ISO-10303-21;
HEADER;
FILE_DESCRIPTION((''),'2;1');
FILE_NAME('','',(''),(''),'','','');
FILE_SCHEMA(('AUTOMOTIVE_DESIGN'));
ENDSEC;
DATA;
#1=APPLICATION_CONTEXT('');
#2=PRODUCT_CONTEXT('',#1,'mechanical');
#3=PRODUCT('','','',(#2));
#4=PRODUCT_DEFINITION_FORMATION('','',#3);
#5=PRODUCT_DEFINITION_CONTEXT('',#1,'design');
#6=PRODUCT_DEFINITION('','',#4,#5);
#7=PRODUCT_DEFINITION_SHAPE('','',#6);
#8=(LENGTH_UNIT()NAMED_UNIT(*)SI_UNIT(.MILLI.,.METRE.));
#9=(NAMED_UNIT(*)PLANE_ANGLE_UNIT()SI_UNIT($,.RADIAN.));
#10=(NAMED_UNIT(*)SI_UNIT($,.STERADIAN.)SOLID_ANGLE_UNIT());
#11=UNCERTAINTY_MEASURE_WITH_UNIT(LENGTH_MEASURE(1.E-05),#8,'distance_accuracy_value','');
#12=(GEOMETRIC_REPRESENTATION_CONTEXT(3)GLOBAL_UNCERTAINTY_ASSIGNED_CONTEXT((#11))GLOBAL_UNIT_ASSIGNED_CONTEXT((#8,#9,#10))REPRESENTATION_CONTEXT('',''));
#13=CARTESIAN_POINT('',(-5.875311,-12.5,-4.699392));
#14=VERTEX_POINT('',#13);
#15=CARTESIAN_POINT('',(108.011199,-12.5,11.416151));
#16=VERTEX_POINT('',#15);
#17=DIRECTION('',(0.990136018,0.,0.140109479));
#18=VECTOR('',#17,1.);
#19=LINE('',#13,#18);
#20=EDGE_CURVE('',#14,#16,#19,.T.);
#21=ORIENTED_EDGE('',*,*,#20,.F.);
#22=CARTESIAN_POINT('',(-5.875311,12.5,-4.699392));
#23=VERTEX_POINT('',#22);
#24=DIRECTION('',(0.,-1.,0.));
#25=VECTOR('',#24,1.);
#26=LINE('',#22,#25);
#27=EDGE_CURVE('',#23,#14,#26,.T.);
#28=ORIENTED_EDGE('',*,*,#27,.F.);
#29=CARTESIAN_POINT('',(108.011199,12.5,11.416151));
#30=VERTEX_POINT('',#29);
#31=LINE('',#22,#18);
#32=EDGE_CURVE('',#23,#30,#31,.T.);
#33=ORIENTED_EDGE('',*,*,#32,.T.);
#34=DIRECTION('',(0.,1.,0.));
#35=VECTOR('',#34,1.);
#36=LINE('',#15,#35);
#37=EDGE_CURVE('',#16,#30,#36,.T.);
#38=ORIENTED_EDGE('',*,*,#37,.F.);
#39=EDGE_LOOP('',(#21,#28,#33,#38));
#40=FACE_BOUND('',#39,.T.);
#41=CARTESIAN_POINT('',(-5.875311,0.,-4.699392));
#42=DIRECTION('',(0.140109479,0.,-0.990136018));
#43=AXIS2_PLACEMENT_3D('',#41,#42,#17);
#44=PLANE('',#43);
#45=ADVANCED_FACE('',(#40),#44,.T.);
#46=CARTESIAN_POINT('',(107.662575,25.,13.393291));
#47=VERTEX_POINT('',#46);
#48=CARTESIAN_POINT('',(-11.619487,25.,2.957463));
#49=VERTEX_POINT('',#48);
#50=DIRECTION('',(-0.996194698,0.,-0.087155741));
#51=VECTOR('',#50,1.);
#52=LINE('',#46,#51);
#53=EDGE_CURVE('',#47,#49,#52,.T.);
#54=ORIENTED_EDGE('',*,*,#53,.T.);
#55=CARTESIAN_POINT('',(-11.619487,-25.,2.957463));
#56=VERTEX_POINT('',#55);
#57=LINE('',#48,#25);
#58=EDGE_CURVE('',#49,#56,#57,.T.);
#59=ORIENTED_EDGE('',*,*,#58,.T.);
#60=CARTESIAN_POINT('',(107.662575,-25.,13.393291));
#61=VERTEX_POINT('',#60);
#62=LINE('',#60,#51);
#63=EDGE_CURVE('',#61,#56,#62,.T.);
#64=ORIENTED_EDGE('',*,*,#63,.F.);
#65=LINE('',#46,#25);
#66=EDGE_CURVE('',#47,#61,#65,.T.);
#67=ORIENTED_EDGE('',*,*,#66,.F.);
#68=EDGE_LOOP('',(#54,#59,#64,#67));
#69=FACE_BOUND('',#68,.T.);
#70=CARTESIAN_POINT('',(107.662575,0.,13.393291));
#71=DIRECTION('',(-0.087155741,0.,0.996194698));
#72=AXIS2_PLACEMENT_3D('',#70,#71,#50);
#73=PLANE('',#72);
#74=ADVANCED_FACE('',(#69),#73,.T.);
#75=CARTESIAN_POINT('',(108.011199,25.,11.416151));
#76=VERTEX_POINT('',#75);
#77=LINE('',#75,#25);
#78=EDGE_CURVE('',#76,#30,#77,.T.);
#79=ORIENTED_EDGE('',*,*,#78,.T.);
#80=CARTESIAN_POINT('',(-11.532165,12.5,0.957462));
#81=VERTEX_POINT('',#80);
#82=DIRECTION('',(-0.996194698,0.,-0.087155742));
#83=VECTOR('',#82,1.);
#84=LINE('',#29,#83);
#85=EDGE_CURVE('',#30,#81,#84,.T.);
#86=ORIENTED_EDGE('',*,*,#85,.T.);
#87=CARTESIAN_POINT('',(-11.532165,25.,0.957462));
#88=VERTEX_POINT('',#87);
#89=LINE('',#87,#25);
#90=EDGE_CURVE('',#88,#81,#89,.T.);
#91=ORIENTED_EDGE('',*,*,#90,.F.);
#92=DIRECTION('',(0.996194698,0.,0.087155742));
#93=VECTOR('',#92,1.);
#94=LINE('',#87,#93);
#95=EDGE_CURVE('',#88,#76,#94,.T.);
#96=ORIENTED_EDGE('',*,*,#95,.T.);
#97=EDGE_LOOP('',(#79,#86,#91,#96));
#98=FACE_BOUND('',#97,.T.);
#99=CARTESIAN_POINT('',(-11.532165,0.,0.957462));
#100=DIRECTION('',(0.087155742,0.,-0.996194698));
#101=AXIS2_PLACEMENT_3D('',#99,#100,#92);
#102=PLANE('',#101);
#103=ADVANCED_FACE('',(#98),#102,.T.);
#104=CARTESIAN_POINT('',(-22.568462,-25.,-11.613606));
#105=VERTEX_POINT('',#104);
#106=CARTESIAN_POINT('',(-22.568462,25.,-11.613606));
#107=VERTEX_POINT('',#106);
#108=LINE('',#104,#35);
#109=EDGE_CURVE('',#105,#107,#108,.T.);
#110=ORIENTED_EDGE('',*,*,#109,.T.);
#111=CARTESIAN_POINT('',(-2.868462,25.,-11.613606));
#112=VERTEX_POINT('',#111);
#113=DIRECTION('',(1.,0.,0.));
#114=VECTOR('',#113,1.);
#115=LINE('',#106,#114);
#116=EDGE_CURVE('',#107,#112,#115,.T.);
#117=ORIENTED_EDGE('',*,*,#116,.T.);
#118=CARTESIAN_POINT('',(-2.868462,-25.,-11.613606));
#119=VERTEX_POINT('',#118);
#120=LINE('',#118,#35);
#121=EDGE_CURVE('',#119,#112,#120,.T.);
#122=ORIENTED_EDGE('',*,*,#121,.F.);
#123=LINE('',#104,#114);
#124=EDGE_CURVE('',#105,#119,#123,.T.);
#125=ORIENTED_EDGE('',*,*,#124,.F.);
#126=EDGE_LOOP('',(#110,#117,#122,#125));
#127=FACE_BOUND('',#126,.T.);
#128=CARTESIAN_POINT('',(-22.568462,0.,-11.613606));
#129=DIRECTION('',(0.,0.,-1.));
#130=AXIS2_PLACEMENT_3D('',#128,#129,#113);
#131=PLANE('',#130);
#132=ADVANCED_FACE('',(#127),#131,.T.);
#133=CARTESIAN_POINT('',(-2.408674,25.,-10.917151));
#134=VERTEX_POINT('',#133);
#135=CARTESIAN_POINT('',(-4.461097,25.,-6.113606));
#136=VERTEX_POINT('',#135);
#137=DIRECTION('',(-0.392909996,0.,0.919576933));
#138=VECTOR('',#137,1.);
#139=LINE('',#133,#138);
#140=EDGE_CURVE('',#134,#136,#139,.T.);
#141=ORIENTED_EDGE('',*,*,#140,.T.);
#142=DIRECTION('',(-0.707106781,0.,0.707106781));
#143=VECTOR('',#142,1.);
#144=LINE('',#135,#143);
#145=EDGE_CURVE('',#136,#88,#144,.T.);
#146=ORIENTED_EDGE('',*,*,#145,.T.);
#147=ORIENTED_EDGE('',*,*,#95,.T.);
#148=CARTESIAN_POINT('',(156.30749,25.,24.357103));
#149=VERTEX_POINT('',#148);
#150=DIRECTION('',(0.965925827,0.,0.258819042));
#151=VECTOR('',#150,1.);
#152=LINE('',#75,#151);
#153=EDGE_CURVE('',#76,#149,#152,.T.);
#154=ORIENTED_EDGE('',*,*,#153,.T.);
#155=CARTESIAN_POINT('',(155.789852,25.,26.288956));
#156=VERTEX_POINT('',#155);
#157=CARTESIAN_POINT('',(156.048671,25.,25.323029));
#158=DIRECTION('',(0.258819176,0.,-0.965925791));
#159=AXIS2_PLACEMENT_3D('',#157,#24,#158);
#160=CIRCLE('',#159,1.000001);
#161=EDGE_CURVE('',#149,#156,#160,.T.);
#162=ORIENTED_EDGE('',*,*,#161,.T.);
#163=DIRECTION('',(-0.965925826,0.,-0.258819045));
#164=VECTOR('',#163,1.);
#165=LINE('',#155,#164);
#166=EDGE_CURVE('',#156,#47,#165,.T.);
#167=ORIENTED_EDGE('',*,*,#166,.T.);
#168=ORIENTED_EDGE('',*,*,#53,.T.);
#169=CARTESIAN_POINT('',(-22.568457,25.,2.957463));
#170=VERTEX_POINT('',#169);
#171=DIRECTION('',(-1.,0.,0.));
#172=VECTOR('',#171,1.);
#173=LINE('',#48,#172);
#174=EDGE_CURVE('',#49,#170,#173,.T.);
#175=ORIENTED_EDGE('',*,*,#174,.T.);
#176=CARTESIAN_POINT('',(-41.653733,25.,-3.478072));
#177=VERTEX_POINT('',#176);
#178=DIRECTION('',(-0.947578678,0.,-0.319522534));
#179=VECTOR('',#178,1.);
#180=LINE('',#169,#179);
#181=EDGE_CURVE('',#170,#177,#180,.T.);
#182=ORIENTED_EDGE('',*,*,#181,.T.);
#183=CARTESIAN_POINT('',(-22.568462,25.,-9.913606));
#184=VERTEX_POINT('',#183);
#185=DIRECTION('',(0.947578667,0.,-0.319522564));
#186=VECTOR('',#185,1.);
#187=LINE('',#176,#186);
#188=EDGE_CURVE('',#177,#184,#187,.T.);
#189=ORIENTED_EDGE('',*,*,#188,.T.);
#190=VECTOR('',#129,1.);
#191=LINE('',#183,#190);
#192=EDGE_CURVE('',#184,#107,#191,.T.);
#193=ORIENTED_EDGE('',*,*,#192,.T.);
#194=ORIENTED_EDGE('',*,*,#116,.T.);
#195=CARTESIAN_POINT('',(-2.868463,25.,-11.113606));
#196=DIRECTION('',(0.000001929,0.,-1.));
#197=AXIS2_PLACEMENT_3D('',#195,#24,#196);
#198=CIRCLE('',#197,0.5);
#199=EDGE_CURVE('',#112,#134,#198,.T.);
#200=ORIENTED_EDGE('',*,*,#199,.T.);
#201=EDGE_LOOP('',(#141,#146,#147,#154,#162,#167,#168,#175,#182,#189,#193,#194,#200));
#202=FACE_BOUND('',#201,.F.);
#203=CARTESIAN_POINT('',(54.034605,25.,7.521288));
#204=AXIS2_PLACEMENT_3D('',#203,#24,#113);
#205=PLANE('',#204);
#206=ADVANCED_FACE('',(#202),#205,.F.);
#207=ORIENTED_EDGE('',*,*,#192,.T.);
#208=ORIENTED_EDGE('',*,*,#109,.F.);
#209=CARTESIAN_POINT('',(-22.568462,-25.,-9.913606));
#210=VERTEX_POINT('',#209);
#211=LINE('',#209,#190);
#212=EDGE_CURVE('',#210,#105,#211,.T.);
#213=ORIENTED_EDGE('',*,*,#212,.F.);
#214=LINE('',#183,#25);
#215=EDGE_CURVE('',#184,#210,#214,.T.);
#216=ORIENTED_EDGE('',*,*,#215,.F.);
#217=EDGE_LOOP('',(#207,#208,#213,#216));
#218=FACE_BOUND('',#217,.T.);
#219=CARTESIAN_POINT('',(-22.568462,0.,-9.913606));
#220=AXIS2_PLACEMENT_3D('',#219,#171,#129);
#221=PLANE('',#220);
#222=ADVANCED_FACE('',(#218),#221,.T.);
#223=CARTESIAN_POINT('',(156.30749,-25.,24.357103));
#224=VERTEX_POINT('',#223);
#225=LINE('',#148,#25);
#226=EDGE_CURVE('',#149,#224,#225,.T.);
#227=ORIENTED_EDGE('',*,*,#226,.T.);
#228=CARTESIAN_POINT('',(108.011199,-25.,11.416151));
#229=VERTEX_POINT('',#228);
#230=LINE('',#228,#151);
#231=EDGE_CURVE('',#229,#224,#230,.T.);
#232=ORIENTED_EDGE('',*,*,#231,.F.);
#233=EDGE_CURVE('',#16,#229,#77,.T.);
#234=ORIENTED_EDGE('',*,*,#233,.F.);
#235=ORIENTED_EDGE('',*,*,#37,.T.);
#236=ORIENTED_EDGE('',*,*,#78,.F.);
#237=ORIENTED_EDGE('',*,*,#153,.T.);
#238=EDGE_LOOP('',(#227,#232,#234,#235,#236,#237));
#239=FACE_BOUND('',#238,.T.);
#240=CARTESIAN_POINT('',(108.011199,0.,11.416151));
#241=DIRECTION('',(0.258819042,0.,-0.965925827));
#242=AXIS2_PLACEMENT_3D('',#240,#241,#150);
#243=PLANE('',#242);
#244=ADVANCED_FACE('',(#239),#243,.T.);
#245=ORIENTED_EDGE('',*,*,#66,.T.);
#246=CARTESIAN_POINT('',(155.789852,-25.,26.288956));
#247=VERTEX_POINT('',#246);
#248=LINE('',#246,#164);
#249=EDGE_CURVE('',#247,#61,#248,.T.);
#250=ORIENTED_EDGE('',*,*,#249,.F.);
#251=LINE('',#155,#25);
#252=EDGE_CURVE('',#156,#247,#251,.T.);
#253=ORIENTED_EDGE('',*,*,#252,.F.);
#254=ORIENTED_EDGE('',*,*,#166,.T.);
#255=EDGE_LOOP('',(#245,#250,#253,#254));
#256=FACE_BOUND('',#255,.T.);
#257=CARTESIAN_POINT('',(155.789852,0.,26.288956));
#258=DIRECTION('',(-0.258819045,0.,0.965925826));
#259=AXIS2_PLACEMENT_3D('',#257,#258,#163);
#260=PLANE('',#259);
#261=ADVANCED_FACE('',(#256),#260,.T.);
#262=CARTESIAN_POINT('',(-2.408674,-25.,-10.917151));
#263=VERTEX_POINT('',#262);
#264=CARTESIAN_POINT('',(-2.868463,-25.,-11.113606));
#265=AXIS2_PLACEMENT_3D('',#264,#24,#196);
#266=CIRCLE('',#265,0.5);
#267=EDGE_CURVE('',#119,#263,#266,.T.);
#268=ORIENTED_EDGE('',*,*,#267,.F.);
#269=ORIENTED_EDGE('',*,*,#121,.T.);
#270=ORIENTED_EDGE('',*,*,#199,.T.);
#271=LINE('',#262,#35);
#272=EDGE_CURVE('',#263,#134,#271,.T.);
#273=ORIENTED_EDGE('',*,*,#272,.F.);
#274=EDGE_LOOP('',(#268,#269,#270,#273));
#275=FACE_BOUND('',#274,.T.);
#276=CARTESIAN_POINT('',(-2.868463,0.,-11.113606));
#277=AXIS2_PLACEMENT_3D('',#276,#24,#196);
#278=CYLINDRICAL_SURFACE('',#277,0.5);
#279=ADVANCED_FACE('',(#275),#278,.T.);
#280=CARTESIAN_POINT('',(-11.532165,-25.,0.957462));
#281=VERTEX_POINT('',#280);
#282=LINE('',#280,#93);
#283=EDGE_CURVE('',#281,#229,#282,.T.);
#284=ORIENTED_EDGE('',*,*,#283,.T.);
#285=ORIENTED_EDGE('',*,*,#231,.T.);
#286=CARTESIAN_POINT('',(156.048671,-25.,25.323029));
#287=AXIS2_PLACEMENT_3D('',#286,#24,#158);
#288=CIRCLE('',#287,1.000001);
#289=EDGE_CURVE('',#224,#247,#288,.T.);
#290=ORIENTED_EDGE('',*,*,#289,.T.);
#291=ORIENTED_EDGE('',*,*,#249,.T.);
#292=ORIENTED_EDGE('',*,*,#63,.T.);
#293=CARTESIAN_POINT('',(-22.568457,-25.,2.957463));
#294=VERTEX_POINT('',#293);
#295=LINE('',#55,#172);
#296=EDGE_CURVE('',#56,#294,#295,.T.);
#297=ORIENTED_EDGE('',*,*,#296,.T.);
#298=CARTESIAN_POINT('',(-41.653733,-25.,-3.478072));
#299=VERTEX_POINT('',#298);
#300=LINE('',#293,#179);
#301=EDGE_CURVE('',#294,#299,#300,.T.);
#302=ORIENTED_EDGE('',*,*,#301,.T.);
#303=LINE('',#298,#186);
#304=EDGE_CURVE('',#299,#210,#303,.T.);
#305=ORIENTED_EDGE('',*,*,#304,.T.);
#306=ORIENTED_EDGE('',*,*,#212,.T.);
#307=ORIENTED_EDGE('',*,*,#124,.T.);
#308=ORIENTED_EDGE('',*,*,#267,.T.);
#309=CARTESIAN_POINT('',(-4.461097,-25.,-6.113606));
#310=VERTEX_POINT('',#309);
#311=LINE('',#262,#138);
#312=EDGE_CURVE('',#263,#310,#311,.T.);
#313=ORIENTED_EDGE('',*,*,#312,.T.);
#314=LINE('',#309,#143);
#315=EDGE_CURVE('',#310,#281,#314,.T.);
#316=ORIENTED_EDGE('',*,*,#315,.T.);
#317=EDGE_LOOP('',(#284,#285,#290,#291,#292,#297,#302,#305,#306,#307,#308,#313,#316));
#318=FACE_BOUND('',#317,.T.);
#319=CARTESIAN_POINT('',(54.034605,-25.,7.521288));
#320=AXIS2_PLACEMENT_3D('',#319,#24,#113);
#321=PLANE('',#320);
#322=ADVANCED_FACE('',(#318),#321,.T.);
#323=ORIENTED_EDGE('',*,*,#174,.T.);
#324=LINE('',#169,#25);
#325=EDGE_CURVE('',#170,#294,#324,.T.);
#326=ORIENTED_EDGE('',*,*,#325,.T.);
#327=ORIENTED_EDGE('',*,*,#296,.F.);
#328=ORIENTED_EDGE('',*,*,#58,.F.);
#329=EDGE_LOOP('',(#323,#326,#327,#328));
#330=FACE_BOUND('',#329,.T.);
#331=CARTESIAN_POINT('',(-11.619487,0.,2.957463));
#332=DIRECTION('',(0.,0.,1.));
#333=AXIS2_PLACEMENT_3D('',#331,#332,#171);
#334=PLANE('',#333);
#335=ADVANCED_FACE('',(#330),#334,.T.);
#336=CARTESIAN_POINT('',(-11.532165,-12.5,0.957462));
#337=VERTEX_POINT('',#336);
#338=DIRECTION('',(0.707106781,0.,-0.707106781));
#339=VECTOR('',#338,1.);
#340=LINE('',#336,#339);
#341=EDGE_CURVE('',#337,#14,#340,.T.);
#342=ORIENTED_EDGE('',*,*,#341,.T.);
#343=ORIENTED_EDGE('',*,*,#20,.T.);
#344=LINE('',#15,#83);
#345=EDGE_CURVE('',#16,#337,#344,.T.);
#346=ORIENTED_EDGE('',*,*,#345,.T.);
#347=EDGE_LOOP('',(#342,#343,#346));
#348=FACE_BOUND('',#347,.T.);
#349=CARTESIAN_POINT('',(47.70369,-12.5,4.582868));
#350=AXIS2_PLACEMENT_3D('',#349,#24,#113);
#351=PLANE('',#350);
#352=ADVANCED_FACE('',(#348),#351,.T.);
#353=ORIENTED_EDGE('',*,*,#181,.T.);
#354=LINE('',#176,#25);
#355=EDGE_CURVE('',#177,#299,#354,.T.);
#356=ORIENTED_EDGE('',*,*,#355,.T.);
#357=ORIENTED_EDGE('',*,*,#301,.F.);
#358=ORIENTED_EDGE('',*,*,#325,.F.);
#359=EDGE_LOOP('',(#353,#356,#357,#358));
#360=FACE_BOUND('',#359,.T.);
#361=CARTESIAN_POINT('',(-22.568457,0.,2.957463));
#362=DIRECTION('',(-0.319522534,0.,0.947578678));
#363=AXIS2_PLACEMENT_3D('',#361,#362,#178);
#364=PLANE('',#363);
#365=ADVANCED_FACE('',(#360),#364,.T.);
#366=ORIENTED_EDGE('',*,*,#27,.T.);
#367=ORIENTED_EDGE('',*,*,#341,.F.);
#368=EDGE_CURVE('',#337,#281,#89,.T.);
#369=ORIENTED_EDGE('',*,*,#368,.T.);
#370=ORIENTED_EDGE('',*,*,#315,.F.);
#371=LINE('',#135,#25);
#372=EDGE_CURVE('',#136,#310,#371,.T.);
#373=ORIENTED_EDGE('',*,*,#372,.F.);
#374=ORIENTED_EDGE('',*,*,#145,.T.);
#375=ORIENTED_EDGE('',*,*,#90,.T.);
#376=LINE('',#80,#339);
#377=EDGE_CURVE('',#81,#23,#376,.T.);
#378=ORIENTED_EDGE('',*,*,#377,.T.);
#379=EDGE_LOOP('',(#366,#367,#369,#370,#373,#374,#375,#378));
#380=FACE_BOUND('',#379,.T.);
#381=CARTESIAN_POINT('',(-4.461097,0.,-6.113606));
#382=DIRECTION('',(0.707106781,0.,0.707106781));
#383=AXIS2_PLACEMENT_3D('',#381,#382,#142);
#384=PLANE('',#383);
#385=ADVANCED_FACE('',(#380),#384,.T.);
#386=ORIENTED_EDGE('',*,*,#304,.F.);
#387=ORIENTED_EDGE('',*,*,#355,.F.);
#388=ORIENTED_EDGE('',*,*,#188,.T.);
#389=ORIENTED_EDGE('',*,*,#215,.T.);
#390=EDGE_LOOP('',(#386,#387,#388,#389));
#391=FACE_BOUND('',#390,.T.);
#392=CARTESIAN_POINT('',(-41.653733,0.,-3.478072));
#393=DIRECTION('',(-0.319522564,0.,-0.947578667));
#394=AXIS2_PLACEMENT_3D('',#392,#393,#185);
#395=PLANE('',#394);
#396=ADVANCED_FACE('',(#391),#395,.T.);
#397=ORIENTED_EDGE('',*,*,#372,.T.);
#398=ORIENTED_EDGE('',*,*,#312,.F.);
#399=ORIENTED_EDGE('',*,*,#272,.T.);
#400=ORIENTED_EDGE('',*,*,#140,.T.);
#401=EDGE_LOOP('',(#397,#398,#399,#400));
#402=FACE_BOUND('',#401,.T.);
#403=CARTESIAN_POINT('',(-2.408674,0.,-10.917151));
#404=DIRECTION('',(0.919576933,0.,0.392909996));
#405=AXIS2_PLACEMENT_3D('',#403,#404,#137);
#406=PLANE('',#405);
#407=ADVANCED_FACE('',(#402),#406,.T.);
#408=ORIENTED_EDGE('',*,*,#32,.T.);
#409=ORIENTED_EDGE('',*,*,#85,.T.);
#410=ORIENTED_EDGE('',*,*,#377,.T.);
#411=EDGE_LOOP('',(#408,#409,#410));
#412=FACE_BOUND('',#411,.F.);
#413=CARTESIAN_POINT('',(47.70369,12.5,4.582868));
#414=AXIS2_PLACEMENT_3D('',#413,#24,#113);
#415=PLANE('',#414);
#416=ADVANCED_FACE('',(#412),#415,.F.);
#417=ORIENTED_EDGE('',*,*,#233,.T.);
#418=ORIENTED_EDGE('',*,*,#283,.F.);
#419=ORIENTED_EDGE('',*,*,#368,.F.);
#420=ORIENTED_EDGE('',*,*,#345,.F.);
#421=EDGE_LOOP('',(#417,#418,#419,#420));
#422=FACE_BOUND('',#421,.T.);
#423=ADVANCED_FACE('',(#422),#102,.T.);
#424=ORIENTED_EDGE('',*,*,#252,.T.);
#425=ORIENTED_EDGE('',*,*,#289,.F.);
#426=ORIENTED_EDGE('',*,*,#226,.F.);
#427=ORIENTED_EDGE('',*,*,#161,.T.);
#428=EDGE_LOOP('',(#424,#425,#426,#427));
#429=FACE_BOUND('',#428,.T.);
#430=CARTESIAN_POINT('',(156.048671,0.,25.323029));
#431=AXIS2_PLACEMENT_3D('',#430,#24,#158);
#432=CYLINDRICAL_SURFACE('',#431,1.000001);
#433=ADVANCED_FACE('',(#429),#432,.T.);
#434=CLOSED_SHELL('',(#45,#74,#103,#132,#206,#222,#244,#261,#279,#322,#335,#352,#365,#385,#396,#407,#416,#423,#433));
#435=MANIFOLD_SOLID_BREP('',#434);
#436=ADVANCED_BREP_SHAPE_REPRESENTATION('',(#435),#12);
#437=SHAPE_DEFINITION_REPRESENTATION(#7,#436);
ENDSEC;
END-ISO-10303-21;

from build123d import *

# Parameters (mm, degrees)
F1_DEPTH = 25
F2_DEPTH = 12.5


with BuildPart() as f1:
    # F0 (on Front) → F1 (new body, symmetric)
    with BuildSketch(Plane.XZ):
        with BuildLine():
            Line((-2.408674, -10.917151), (-4.461097, -6.113606))
            Line((-4.461097, -6.113606), (-5.875311, -4.699392))
            Line((-5.875311, -4.699392), (-11.532165, 0.957462))
            Line((-11.532165, 0.957462), (108.011199, 11.416151))
            Line((108.011199, 11.416151), (156.30749, 24.357103))
            ThreePointArc((156.30749, 24.357103), (157.014597, 25.581849), (155.789852, 26.288956))
            Line((155.789852, 26.288956), (107.662575, 13.393291))
            Line((107.662575, 13.393291), (-11.619487, 2.957463))
            Line((-11.619487, 2.957463), (-22.568457, 2.957463))
            Line((-22.568457, 2.957463), (-41.653733, -3.478072))
            Line((-41.653733, -3.478072), (-22.568462, -9.913606))
            Line((-22.568462, -9.913606), (-22.568462, -11.613606))
            Line((-22.568462, -11.613606), (-2.868462, -11.613606))
            ThreePointArc((-2.868462, -11.613606), (-2.451193, -11.38908), (-2.408674, -10.917151))
        make_face()
    extrude(amount=F1_DEPTH, both=True)

    # F0 (on Front) → F2 (join, symmetric)
    with BuildSketch(Plane.XZ):
        Polygon((-11.532165, 0.957462), (-5.875311, -4.699392), (108.011199, 11.416151), align=None)
    extrude(amount=F2_DEPTH, both=True)


solid = f1.part
